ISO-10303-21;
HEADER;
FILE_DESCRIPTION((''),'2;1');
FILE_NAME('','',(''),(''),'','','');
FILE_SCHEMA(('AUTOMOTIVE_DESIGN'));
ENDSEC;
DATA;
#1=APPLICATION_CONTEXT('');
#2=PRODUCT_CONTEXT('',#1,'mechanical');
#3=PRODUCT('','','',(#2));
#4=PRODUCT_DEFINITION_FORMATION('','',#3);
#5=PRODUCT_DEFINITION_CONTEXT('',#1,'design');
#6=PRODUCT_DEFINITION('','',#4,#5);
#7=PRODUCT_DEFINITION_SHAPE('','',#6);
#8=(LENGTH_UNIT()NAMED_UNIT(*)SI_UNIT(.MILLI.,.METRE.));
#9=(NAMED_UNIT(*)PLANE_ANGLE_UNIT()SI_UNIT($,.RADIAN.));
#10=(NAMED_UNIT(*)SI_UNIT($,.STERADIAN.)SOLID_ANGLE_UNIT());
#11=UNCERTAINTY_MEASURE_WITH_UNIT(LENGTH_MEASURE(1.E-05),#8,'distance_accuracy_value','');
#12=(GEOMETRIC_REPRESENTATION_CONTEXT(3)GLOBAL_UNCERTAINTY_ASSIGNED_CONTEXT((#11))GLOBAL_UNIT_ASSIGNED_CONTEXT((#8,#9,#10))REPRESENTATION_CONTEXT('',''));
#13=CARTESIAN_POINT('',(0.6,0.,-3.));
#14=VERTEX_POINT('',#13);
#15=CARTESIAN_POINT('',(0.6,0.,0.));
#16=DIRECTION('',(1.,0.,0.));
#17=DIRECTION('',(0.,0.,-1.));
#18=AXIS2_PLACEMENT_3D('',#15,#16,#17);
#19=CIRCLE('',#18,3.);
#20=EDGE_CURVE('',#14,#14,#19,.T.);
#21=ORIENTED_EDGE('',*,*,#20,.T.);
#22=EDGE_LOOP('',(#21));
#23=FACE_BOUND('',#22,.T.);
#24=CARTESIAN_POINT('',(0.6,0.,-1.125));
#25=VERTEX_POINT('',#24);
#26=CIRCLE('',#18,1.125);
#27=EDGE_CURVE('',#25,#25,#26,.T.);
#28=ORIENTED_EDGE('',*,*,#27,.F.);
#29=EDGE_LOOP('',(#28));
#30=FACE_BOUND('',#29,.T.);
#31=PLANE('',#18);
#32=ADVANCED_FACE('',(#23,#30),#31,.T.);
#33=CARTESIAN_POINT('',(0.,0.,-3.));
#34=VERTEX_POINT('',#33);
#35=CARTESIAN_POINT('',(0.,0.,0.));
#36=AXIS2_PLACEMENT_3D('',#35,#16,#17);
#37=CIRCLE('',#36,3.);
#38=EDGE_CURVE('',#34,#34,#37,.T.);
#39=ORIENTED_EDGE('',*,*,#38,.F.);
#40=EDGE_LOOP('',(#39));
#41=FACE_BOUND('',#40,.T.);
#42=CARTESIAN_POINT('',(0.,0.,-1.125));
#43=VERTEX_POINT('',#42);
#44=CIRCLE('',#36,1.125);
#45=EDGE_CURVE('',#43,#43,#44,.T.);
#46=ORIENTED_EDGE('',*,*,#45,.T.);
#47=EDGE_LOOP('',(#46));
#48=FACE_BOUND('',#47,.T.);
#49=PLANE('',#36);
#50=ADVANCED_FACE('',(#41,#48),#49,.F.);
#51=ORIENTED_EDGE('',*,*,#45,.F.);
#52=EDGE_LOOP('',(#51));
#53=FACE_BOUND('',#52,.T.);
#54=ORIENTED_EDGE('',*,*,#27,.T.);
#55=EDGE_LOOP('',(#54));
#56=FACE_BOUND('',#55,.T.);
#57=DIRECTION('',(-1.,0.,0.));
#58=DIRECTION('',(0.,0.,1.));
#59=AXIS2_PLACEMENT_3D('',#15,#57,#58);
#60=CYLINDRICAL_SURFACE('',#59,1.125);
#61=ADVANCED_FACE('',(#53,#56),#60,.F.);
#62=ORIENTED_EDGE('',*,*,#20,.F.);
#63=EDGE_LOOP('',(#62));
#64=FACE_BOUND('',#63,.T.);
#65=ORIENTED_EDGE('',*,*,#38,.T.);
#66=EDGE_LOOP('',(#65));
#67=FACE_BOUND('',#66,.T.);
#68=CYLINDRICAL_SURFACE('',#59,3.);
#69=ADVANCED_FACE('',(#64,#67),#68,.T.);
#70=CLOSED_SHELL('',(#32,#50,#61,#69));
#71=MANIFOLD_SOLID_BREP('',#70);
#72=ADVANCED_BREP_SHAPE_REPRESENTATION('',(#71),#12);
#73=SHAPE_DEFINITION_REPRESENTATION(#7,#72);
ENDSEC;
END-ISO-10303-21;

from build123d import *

# Parameters (mm, degrees)
SKETCH1_R          = 3
SKETCH1_R_2        = 1.125
BASE_EXTRUDE_DEPTH = 0.6


with BuildPart() as part:
    # Sketch1 → Base-Extrude (new body)
    with BuildSketch(Plane(origin=(0, 0, 0), x_dir=(0, 0, -1), z_dir=(1, 0, 0))):
        Circle(SKETCH1_R)
        Circle(SKETCH1_R_2, mode=Mode.SUBTRACT)
    extrude(amount=BASE_EXTRUDE_DEPTH)


solid = part.part
